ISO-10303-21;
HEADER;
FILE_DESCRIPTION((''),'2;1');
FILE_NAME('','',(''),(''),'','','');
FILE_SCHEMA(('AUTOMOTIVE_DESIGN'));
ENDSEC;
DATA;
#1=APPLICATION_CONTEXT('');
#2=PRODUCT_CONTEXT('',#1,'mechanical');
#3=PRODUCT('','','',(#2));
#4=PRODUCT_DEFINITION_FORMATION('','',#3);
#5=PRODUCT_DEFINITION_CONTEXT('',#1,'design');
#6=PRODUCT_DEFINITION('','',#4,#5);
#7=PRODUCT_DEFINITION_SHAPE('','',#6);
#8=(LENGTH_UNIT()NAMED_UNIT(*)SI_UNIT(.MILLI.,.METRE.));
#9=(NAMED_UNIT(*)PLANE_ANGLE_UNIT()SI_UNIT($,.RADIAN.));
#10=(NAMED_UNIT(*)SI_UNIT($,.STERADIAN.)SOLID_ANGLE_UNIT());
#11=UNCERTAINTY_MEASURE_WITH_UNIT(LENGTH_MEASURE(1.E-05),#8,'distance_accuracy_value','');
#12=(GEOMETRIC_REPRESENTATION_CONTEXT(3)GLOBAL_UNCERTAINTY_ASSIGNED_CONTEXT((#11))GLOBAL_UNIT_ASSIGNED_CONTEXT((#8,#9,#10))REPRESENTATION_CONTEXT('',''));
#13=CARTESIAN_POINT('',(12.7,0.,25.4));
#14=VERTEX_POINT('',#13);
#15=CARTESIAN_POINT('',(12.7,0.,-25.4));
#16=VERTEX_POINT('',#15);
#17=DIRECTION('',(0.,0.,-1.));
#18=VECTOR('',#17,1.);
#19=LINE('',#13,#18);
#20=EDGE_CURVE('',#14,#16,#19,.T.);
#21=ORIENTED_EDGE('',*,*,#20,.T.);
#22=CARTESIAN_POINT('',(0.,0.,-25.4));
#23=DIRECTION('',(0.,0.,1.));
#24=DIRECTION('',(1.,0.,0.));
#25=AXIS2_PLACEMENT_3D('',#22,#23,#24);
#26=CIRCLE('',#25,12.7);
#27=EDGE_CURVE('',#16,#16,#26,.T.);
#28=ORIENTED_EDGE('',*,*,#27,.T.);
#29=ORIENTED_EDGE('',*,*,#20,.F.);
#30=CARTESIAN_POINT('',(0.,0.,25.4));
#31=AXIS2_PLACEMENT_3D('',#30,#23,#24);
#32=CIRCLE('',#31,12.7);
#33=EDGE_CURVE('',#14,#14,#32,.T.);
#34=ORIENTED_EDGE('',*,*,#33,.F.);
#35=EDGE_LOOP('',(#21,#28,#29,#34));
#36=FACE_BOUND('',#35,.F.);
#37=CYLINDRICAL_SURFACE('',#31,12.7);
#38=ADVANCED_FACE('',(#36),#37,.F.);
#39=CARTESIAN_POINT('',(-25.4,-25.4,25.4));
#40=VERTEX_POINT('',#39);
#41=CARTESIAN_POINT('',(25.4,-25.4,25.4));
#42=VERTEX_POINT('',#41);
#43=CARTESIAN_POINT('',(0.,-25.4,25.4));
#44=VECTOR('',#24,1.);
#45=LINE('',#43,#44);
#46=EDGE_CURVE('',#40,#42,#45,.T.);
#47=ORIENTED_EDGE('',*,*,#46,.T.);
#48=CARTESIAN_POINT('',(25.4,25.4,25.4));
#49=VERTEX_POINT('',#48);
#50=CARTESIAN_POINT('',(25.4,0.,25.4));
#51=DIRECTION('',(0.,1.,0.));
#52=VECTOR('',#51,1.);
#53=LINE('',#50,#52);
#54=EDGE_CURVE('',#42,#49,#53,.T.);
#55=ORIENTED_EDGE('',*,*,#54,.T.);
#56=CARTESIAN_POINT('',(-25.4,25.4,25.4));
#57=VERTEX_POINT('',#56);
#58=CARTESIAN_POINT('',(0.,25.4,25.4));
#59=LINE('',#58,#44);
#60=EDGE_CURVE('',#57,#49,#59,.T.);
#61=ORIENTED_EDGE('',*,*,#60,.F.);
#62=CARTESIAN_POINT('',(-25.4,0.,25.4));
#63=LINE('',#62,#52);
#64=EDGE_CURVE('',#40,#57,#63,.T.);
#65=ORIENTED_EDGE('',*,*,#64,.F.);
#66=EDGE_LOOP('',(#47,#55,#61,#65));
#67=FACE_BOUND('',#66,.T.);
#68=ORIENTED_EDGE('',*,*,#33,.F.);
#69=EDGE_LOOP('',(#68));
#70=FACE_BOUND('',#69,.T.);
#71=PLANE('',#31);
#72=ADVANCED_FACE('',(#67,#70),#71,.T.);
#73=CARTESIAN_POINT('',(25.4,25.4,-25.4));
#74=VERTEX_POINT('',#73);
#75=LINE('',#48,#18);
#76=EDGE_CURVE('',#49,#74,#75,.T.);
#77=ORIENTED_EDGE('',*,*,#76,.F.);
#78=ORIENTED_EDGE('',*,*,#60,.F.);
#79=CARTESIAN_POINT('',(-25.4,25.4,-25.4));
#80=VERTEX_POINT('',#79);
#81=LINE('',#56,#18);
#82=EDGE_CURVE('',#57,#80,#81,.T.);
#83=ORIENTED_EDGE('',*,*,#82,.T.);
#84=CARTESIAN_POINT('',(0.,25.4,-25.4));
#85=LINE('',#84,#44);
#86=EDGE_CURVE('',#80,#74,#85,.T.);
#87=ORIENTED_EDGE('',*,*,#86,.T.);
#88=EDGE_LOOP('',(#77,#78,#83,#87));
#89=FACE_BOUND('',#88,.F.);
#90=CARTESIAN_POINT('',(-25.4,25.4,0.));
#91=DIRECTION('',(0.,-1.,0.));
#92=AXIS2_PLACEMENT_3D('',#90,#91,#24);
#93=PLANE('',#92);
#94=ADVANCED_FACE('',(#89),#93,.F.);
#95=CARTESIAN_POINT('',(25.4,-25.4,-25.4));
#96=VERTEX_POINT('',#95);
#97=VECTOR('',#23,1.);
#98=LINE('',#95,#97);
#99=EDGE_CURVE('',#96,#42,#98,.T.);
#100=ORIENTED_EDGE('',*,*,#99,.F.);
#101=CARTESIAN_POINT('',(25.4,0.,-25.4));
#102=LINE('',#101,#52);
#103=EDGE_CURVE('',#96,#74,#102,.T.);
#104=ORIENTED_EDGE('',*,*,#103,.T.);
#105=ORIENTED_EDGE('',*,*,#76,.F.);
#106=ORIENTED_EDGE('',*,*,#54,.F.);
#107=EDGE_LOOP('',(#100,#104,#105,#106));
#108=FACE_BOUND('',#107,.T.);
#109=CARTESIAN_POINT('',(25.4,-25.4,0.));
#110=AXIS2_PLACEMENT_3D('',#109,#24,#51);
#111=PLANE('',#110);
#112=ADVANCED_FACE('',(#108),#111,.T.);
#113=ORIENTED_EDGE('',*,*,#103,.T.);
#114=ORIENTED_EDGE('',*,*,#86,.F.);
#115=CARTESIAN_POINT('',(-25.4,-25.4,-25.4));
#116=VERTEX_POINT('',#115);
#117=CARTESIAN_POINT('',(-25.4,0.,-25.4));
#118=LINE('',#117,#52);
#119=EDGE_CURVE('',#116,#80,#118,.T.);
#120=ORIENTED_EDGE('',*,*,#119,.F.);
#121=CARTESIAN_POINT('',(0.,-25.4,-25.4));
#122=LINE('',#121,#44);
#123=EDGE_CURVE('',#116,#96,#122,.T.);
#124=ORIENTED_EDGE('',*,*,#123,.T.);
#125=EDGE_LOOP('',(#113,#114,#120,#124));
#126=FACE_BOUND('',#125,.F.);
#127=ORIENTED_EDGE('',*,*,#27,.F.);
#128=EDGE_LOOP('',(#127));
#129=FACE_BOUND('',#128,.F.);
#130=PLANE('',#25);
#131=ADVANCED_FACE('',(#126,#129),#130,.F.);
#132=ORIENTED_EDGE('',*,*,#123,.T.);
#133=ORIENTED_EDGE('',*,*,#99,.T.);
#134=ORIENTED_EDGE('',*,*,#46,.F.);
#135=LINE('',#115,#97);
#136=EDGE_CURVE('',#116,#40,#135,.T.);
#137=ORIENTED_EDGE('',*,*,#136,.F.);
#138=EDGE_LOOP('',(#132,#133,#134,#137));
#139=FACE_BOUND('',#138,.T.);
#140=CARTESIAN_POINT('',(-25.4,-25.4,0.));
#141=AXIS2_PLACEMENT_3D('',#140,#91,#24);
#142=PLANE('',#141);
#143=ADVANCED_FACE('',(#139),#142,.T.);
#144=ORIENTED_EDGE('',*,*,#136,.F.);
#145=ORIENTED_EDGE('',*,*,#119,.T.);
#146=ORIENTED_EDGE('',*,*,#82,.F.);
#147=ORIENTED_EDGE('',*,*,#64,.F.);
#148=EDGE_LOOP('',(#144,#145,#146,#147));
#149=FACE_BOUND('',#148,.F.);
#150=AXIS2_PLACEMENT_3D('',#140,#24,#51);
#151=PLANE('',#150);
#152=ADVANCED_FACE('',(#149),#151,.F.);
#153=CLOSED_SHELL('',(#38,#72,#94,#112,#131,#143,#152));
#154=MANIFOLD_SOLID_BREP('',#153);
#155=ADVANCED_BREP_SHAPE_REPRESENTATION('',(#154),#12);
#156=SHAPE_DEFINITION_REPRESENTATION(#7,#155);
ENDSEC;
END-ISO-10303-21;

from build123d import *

# Parameters (mm, degrees)
F0_W     = 50.8
F0_H     = 50.8
F1_DEPTH = 25.4
F2_R     = 12.7
F3_DEPTH = 50.8


with BuildPart() as f1:
    # F0 (on Top) → F1 (new body, symmetric)
    with BuildSketch(Plane.XY):
        Rectangle(F0_W, F0_H)
    extrude(amount=F1_DEPTH, both=True)

    # F2 (on face) → F3 (cut, through all)
    with BuildSketch(Plane.XY.offset(25.4)):
        Circle(F2_R)
    extrude(amount=-F3_DEPTH, mode=Mode.SUBTRACT)


solid = f1.part
